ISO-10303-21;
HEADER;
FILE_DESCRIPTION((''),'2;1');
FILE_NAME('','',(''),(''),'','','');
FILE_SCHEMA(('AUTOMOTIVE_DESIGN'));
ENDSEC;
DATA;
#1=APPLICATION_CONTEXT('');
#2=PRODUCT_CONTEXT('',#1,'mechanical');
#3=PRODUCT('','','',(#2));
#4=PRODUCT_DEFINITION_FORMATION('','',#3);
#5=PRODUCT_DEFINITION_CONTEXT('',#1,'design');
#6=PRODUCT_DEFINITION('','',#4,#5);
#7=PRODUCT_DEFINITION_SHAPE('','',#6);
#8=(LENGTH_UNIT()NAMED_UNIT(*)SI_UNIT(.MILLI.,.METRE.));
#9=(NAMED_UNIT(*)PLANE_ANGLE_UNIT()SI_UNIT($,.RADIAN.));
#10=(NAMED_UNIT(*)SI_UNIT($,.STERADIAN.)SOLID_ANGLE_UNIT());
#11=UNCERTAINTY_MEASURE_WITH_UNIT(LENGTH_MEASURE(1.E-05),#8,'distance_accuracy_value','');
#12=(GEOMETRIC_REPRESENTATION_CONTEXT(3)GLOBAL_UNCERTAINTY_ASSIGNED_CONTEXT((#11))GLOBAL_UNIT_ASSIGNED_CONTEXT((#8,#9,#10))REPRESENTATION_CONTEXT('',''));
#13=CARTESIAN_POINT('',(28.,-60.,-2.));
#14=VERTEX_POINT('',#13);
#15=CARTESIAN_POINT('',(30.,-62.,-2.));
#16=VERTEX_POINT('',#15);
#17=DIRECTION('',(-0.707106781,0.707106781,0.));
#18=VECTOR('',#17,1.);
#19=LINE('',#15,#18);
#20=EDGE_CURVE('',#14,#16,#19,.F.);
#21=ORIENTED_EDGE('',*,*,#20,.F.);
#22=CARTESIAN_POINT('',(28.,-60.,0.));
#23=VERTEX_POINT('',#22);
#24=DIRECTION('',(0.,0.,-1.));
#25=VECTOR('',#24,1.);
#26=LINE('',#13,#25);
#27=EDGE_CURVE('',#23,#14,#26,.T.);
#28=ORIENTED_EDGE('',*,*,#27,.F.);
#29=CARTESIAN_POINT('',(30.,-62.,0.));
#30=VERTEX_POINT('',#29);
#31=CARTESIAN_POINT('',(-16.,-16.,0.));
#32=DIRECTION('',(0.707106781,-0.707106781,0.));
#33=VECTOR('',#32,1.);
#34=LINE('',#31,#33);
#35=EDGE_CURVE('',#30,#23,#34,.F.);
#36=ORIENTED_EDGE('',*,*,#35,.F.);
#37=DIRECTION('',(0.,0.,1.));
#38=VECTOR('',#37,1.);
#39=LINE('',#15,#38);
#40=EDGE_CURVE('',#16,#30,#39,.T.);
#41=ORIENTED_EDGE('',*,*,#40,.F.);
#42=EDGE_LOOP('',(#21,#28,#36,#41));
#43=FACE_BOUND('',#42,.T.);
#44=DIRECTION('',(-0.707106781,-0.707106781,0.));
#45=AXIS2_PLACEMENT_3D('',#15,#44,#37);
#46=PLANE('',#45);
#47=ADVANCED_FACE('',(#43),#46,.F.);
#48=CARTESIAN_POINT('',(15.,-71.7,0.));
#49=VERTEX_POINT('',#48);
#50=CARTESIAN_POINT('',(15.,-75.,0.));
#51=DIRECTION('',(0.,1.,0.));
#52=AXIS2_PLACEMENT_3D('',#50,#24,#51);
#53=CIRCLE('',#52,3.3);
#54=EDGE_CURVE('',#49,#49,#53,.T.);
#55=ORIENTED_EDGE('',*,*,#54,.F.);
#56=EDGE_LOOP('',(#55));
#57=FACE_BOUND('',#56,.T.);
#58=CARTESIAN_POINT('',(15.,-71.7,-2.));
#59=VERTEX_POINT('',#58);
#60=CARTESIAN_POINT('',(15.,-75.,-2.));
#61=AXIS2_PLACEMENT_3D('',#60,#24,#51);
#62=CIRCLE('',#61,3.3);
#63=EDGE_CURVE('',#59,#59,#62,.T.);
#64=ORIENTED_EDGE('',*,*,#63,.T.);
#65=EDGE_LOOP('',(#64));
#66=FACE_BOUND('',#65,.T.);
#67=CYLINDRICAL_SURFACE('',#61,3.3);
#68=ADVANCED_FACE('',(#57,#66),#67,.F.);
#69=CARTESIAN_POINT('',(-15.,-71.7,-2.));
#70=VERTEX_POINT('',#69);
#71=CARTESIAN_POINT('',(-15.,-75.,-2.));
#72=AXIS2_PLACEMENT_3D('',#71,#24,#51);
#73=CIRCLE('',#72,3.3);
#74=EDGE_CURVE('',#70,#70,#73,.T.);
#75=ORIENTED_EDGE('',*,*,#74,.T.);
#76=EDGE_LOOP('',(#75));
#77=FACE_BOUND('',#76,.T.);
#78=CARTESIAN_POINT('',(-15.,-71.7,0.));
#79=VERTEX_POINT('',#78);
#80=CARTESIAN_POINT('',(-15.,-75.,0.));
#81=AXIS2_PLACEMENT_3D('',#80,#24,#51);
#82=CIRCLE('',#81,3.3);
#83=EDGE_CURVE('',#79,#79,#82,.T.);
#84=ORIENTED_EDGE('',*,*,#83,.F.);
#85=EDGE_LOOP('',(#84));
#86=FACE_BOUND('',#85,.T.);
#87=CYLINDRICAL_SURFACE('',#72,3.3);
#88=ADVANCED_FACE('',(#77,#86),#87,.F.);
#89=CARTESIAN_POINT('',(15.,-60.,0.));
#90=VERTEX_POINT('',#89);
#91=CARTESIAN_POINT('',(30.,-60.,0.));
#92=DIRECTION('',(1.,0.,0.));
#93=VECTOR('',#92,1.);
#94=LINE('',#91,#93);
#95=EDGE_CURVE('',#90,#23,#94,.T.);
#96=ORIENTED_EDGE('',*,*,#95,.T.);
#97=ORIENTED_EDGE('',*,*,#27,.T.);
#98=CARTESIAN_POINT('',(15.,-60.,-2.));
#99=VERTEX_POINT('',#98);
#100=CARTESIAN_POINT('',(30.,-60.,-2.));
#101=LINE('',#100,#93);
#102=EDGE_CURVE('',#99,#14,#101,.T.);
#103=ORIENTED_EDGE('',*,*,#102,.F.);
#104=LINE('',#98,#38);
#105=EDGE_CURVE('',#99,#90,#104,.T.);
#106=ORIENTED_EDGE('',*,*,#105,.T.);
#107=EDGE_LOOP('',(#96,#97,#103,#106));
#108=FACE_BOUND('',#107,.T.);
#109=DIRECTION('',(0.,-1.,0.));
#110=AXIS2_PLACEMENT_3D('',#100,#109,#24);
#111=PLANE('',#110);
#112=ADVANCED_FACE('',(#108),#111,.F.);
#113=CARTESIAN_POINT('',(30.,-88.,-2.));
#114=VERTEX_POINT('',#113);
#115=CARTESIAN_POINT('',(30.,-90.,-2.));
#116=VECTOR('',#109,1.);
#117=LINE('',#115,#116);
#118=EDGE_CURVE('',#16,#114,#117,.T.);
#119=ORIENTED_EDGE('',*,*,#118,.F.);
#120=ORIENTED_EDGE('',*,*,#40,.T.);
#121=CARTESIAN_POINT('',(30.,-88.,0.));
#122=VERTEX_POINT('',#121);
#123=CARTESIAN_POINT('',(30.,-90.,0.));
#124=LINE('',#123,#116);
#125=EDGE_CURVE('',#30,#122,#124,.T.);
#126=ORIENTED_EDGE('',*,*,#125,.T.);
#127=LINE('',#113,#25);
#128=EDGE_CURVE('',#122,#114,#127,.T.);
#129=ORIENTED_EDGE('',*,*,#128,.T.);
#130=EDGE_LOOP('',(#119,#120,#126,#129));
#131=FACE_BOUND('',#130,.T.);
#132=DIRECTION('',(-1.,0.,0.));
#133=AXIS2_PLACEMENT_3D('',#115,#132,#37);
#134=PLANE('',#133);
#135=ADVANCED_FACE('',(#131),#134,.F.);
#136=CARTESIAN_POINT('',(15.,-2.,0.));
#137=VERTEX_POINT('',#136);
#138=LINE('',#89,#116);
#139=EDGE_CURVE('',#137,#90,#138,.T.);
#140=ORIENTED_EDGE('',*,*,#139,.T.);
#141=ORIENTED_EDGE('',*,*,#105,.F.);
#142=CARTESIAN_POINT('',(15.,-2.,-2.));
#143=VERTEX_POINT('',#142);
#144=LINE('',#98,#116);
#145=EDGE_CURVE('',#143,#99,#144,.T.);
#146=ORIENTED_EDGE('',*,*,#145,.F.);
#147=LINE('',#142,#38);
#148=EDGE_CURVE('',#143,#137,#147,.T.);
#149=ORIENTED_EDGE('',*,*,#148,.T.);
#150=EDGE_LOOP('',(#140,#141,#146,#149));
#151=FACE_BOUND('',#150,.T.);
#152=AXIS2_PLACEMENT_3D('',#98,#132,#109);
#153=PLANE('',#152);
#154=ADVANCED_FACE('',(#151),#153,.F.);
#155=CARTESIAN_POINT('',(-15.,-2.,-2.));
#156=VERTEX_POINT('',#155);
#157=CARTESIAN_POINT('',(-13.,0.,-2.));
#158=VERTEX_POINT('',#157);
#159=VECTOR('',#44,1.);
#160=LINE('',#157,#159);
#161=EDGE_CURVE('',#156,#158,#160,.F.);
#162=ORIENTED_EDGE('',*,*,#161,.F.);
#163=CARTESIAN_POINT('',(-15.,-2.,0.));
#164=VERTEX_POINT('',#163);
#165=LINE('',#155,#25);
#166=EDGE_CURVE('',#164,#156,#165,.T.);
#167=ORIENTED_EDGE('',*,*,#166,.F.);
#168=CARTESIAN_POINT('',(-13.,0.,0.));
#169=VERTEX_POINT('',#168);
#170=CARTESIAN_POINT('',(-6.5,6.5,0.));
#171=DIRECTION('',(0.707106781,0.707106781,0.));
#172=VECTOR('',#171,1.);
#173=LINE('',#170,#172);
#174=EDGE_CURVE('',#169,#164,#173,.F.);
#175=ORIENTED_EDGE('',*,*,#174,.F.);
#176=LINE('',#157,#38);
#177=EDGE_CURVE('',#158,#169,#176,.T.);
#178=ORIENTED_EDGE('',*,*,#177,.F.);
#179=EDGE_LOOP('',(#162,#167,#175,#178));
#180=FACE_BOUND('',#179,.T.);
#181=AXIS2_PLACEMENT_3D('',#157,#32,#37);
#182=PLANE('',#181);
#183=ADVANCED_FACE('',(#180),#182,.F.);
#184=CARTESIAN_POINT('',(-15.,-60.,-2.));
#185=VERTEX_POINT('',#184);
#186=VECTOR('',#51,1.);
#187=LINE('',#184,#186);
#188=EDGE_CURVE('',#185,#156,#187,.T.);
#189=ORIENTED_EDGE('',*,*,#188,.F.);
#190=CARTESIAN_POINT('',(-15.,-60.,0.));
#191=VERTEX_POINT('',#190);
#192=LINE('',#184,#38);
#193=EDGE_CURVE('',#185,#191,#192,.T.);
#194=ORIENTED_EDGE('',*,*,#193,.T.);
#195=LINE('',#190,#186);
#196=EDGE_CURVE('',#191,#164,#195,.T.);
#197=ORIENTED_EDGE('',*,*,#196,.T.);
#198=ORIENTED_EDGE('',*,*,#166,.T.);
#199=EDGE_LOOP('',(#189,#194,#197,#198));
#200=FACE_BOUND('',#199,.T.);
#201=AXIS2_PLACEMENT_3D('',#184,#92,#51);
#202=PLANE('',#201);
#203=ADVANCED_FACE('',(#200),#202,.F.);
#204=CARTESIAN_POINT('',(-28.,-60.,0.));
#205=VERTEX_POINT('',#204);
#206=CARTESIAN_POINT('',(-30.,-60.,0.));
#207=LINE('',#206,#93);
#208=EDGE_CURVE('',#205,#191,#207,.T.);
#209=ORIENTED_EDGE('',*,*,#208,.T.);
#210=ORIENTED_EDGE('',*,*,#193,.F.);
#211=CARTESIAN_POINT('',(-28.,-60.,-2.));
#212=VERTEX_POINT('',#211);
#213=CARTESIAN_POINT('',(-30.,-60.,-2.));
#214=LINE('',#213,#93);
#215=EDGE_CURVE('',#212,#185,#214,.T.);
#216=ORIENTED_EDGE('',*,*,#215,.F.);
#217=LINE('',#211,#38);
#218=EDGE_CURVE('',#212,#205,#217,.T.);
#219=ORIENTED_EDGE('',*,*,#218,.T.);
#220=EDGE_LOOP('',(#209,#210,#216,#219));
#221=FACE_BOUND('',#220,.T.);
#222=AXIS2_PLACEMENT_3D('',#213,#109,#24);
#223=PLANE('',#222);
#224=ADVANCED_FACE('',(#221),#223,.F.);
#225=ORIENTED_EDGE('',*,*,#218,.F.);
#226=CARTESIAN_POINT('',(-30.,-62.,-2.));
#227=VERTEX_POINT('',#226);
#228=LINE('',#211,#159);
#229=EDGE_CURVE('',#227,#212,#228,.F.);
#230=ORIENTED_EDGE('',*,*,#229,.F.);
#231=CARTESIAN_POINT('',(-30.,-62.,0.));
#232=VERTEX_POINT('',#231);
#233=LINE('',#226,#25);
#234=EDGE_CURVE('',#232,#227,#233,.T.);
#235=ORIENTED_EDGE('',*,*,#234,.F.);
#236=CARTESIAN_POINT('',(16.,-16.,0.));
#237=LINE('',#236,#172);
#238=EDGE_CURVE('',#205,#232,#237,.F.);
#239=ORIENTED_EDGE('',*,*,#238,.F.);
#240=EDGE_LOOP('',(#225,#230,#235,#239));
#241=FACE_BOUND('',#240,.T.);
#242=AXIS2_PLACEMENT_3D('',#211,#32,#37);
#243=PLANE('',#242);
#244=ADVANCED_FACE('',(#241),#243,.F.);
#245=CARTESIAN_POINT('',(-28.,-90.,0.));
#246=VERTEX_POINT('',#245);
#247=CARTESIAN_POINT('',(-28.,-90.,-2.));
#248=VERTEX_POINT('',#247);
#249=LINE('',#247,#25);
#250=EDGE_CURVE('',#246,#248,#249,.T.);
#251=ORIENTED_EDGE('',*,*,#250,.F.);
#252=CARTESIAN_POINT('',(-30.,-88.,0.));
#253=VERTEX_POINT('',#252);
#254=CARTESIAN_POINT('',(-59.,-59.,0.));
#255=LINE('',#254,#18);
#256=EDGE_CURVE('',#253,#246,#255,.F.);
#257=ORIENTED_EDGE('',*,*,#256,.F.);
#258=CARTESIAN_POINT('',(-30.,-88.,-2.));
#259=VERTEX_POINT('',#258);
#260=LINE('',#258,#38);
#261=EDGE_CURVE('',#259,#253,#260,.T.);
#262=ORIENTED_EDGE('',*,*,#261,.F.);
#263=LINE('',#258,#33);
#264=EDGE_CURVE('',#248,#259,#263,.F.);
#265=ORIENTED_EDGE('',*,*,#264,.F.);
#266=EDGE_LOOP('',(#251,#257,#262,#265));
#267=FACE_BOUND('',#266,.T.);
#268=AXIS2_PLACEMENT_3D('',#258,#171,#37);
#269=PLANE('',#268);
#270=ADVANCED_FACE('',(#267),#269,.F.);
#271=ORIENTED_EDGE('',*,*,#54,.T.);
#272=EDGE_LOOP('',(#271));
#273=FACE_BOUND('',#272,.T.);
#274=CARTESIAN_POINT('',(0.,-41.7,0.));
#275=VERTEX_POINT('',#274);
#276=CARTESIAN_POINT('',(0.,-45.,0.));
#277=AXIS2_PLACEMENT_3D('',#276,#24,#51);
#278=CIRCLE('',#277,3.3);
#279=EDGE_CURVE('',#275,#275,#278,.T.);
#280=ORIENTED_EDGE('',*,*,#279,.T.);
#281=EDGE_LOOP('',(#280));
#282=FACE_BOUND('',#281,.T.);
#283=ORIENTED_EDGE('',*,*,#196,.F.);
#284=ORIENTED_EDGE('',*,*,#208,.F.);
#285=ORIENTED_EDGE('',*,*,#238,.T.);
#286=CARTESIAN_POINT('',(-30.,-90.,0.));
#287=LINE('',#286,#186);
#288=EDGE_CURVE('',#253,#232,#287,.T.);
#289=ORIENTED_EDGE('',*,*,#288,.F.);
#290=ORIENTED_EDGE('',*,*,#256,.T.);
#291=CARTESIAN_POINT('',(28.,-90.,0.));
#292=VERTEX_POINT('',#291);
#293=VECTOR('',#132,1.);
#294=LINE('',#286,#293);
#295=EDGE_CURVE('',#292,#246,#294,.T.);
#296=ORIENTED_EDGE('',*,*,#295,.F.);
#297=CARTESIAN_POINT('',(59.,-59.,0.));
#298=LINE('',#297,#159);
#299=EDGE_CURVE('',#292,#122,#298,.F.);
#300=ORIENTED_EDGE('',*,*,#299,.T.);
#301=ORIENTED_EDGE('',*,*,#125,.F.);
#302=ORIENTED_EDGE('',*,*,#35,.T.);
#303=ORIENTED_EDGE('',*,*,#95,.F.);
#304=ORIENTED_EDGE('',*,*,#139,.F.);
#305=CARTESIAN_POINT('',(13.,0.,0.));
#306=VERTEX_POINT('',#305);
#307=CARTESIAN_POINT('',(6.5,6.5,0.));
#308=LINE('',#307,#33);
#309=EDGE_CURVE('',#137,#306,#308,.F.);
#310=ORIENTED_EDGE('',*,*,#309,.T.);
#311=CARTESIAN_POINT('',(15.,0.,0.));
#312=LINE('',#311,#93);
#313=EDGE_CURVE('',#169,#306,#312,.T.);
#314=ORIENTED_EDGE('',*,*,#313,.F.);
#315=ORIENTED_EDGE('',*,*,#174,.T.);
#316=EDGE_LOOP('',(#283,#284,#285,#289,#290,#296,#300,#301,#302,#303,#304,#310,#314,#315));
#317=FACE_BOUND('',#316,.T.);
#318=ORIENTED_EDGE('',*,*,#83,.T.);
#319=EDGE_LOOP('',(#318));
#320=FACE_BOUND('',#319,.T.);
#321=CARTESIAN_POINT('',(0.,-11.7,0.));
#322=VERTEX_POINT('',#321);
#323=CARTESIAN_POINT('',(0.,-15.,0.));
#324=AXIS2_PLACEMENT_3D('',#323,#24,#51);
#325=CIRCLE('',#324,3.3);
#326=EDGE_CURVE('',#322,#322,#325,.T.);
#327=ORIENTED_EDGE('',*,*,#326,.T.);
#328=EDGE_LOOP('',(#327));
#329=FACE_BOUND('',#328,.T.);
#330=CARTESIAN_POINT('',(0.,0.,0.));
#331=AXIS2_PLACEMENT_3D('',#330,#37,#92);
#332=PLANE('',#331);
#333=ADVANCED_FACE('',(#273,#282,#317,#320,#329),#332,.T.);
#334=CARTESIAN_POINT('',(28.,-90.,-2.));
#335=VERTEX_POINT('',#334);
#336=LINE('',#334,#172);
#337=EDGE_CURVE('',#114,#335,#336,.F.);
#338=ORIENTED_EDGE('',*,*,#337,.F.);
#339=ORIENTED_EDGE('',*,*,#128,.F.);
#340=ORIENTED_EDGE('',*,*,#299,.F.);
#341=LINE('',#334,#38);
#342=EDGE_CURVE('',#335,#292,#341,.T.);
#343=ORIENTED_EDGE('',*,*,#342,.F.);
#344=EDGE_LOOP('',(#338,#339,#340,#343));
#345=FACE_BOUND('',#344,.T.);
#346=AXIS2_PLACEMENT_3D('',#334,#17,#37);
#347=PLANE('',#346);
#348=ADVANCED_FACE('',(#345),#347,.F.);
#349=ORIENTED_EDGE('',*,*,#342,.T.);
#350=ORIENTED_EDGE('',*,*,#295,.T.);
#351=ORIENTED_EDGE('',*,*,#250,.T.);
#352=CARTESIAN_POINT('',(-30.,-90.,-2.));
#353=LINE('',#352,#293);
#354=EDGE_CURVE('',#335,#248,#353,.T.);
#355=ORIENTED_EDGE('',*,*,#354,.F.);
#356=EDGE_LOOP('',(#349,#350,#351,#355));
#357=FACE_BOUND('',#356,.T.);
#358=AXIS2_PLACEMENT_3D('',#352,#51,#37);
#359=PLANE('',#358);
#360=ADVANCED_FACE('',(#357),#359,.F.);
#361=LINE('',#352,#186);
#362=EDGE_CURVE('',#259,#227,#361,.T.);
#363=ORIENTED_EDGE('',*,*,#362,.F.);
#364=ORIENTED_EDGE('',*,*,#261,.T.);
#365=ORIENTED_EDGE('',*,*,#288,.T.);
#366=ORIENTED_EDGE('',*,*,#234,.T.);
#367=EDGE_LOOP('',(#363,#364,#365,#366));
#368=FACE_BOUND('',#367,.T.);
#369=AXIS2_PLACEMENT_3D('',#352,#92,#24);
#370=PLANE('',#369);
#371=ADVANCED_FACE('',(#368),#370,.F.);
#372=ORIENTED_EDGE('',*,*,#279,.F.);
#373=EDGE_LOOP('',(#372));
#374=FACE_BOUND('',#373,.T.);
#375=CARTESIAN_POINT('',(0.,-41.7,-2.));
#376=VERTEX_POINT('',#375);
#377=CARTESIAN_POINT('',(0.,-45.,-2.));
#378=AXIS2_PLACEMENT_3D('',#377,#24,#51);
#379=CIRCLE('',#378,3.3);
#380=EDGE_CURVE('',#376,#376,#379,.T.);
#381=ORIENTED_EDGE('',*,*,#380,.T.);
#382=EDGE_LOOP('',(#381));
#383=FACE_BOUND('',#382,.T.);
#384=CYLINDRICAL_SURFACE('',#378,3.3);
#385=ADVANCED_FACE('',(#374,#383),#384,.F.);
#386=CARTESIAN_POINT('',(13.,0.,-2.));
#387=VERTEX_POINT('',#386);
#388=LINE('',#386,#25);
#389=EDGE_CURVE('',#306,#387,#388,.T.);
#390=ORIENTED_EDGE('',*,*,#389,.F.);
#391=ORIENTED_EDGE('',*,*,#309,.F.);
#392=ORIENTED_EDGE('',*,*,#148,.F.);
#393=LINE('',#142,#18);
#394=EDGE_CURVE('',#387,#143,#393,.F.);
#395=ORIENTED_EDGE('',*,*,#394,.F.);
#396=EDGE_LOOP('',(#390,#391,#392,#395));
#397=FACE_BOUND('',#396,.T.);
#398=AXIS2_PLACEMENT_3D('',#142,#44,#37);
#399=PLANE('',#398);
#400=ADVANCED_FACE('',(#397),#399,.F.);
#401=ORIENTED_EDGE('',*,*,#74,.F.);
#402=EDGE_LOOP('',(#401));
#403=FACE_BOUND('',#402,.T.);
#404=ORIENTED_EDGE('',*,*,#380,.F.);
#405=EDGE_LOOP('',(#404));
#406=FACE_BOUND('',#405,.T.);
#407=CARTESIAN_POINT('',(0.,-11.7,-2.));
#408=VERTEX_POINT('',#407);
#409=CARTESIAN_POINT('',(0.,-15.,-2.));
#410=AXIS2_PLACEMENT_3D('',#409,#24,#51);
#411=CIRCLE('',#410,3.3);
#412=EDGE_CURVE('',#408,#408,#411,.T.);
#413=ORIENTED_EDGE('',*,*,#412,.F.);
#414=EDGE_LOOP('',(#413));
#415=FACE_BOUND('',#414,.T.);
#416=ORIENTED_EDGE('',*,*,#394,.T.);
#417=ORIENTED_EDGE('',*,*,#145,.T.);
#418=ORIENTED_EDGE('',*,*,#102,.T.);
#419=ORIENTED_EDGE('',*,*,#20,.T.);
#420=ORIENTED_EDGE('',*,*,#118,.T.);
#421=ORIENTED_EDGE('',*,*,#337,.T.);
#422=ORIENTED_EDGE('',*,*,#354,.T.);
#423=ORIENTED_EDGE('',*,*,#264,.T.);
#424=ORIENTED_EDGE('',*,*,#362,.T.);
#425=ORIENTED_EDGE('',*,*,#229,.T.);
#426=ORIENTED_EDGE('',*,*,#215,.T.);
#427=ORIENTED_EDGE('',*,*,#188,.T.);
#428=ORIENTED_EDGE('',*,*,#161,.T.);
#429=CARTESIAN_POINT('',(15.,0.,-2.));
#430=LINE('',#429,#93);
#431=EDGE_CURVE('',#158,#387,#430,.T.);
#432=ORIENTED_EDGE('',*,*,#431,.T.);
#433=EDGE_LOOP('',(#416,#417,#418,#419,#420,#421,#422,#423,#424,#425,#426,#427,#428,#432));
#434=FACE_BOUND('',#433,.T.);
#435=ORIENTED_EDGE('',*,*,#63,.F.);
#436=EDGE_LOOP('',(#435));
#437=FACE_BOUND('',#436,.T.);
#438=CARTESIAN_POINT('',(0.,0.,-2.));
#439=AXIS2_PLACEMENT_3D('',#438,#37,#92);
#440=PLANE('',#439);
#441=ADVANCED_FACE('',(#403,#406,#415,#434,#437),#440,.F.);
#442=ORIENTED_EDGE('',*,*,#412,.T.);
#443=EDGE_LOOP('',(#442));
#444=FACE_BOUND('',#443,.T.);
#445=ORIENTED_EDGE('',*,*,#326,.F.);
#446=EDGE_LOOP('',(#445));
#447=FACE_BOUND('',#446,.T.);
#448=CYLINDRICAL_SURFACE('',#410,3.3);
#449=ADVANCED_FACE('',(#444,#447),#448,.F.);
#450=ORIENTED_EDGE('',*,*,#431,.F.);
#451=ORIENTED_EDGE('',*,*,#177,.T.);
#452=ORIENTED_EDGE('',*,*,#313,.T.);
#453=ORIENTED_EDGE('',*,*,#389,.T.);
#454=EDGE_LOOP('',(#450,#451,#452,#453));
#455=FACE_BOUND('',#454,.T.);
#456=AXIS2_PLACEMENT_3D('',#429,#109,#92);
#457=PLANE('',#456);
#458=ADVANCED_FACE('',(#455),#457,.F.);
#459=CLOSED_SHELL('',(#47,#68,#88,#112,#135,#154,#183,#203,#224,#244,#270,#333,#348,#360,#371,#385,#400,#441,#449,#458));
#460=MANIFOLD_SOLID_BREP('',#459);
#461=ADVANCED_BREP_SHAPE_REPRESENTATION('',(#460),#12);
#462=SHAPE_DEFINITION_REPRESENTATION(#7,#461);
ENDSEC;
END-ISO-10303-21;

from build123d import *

# Parameters (mm, degrees)
EXTRUDE_1_DEPTH   = 2
HOLE_WIZARD_M61_D = 6.6
CHAMFER_1_SIZE    = 2


with BuildPart() as part:
    # Эскиз1 → Бобышка-Вытянуть1 (new body)
    with BuildSketch(Plane(origin=(0, 0, 0), x_dir=(1, 0, 0), z_dir=(0, 0, -1))):
        Polygon((-30, 90), (30, 90), (30, 60), (15, 60), (15, 0), (-15, 0), (-15, 60), (-30, 60), align=None)
    extrude(amount=EXTRUDE_1_DEPTH)

    # Отверстие с зазором M61 (through all)
    with Locations(Plane(origin=(0, 0, -2), x_dir=(1, 0, 0), z_dir=(0, 0, -1))):
        with Locations((0, 15), (-15, 75), (15, 75), (0, 45)):
            Hole(HOLE_WIZARD_M61_D / 2)

    # Фаска1
    chamfer_1_edges = [part.edges().sort_by_distance(p)[0] for p in [
        (-30, -60, -1),
        (-30, -90, -1),
        (30, -90, -1),
        (30, -60, -1),
        (15, 0, -1),
        (-15, 0, -1),
    ]]
    chamfer(chamfer_1_edges, length=CHAMFER_1_SIZE)


solid = part.part
